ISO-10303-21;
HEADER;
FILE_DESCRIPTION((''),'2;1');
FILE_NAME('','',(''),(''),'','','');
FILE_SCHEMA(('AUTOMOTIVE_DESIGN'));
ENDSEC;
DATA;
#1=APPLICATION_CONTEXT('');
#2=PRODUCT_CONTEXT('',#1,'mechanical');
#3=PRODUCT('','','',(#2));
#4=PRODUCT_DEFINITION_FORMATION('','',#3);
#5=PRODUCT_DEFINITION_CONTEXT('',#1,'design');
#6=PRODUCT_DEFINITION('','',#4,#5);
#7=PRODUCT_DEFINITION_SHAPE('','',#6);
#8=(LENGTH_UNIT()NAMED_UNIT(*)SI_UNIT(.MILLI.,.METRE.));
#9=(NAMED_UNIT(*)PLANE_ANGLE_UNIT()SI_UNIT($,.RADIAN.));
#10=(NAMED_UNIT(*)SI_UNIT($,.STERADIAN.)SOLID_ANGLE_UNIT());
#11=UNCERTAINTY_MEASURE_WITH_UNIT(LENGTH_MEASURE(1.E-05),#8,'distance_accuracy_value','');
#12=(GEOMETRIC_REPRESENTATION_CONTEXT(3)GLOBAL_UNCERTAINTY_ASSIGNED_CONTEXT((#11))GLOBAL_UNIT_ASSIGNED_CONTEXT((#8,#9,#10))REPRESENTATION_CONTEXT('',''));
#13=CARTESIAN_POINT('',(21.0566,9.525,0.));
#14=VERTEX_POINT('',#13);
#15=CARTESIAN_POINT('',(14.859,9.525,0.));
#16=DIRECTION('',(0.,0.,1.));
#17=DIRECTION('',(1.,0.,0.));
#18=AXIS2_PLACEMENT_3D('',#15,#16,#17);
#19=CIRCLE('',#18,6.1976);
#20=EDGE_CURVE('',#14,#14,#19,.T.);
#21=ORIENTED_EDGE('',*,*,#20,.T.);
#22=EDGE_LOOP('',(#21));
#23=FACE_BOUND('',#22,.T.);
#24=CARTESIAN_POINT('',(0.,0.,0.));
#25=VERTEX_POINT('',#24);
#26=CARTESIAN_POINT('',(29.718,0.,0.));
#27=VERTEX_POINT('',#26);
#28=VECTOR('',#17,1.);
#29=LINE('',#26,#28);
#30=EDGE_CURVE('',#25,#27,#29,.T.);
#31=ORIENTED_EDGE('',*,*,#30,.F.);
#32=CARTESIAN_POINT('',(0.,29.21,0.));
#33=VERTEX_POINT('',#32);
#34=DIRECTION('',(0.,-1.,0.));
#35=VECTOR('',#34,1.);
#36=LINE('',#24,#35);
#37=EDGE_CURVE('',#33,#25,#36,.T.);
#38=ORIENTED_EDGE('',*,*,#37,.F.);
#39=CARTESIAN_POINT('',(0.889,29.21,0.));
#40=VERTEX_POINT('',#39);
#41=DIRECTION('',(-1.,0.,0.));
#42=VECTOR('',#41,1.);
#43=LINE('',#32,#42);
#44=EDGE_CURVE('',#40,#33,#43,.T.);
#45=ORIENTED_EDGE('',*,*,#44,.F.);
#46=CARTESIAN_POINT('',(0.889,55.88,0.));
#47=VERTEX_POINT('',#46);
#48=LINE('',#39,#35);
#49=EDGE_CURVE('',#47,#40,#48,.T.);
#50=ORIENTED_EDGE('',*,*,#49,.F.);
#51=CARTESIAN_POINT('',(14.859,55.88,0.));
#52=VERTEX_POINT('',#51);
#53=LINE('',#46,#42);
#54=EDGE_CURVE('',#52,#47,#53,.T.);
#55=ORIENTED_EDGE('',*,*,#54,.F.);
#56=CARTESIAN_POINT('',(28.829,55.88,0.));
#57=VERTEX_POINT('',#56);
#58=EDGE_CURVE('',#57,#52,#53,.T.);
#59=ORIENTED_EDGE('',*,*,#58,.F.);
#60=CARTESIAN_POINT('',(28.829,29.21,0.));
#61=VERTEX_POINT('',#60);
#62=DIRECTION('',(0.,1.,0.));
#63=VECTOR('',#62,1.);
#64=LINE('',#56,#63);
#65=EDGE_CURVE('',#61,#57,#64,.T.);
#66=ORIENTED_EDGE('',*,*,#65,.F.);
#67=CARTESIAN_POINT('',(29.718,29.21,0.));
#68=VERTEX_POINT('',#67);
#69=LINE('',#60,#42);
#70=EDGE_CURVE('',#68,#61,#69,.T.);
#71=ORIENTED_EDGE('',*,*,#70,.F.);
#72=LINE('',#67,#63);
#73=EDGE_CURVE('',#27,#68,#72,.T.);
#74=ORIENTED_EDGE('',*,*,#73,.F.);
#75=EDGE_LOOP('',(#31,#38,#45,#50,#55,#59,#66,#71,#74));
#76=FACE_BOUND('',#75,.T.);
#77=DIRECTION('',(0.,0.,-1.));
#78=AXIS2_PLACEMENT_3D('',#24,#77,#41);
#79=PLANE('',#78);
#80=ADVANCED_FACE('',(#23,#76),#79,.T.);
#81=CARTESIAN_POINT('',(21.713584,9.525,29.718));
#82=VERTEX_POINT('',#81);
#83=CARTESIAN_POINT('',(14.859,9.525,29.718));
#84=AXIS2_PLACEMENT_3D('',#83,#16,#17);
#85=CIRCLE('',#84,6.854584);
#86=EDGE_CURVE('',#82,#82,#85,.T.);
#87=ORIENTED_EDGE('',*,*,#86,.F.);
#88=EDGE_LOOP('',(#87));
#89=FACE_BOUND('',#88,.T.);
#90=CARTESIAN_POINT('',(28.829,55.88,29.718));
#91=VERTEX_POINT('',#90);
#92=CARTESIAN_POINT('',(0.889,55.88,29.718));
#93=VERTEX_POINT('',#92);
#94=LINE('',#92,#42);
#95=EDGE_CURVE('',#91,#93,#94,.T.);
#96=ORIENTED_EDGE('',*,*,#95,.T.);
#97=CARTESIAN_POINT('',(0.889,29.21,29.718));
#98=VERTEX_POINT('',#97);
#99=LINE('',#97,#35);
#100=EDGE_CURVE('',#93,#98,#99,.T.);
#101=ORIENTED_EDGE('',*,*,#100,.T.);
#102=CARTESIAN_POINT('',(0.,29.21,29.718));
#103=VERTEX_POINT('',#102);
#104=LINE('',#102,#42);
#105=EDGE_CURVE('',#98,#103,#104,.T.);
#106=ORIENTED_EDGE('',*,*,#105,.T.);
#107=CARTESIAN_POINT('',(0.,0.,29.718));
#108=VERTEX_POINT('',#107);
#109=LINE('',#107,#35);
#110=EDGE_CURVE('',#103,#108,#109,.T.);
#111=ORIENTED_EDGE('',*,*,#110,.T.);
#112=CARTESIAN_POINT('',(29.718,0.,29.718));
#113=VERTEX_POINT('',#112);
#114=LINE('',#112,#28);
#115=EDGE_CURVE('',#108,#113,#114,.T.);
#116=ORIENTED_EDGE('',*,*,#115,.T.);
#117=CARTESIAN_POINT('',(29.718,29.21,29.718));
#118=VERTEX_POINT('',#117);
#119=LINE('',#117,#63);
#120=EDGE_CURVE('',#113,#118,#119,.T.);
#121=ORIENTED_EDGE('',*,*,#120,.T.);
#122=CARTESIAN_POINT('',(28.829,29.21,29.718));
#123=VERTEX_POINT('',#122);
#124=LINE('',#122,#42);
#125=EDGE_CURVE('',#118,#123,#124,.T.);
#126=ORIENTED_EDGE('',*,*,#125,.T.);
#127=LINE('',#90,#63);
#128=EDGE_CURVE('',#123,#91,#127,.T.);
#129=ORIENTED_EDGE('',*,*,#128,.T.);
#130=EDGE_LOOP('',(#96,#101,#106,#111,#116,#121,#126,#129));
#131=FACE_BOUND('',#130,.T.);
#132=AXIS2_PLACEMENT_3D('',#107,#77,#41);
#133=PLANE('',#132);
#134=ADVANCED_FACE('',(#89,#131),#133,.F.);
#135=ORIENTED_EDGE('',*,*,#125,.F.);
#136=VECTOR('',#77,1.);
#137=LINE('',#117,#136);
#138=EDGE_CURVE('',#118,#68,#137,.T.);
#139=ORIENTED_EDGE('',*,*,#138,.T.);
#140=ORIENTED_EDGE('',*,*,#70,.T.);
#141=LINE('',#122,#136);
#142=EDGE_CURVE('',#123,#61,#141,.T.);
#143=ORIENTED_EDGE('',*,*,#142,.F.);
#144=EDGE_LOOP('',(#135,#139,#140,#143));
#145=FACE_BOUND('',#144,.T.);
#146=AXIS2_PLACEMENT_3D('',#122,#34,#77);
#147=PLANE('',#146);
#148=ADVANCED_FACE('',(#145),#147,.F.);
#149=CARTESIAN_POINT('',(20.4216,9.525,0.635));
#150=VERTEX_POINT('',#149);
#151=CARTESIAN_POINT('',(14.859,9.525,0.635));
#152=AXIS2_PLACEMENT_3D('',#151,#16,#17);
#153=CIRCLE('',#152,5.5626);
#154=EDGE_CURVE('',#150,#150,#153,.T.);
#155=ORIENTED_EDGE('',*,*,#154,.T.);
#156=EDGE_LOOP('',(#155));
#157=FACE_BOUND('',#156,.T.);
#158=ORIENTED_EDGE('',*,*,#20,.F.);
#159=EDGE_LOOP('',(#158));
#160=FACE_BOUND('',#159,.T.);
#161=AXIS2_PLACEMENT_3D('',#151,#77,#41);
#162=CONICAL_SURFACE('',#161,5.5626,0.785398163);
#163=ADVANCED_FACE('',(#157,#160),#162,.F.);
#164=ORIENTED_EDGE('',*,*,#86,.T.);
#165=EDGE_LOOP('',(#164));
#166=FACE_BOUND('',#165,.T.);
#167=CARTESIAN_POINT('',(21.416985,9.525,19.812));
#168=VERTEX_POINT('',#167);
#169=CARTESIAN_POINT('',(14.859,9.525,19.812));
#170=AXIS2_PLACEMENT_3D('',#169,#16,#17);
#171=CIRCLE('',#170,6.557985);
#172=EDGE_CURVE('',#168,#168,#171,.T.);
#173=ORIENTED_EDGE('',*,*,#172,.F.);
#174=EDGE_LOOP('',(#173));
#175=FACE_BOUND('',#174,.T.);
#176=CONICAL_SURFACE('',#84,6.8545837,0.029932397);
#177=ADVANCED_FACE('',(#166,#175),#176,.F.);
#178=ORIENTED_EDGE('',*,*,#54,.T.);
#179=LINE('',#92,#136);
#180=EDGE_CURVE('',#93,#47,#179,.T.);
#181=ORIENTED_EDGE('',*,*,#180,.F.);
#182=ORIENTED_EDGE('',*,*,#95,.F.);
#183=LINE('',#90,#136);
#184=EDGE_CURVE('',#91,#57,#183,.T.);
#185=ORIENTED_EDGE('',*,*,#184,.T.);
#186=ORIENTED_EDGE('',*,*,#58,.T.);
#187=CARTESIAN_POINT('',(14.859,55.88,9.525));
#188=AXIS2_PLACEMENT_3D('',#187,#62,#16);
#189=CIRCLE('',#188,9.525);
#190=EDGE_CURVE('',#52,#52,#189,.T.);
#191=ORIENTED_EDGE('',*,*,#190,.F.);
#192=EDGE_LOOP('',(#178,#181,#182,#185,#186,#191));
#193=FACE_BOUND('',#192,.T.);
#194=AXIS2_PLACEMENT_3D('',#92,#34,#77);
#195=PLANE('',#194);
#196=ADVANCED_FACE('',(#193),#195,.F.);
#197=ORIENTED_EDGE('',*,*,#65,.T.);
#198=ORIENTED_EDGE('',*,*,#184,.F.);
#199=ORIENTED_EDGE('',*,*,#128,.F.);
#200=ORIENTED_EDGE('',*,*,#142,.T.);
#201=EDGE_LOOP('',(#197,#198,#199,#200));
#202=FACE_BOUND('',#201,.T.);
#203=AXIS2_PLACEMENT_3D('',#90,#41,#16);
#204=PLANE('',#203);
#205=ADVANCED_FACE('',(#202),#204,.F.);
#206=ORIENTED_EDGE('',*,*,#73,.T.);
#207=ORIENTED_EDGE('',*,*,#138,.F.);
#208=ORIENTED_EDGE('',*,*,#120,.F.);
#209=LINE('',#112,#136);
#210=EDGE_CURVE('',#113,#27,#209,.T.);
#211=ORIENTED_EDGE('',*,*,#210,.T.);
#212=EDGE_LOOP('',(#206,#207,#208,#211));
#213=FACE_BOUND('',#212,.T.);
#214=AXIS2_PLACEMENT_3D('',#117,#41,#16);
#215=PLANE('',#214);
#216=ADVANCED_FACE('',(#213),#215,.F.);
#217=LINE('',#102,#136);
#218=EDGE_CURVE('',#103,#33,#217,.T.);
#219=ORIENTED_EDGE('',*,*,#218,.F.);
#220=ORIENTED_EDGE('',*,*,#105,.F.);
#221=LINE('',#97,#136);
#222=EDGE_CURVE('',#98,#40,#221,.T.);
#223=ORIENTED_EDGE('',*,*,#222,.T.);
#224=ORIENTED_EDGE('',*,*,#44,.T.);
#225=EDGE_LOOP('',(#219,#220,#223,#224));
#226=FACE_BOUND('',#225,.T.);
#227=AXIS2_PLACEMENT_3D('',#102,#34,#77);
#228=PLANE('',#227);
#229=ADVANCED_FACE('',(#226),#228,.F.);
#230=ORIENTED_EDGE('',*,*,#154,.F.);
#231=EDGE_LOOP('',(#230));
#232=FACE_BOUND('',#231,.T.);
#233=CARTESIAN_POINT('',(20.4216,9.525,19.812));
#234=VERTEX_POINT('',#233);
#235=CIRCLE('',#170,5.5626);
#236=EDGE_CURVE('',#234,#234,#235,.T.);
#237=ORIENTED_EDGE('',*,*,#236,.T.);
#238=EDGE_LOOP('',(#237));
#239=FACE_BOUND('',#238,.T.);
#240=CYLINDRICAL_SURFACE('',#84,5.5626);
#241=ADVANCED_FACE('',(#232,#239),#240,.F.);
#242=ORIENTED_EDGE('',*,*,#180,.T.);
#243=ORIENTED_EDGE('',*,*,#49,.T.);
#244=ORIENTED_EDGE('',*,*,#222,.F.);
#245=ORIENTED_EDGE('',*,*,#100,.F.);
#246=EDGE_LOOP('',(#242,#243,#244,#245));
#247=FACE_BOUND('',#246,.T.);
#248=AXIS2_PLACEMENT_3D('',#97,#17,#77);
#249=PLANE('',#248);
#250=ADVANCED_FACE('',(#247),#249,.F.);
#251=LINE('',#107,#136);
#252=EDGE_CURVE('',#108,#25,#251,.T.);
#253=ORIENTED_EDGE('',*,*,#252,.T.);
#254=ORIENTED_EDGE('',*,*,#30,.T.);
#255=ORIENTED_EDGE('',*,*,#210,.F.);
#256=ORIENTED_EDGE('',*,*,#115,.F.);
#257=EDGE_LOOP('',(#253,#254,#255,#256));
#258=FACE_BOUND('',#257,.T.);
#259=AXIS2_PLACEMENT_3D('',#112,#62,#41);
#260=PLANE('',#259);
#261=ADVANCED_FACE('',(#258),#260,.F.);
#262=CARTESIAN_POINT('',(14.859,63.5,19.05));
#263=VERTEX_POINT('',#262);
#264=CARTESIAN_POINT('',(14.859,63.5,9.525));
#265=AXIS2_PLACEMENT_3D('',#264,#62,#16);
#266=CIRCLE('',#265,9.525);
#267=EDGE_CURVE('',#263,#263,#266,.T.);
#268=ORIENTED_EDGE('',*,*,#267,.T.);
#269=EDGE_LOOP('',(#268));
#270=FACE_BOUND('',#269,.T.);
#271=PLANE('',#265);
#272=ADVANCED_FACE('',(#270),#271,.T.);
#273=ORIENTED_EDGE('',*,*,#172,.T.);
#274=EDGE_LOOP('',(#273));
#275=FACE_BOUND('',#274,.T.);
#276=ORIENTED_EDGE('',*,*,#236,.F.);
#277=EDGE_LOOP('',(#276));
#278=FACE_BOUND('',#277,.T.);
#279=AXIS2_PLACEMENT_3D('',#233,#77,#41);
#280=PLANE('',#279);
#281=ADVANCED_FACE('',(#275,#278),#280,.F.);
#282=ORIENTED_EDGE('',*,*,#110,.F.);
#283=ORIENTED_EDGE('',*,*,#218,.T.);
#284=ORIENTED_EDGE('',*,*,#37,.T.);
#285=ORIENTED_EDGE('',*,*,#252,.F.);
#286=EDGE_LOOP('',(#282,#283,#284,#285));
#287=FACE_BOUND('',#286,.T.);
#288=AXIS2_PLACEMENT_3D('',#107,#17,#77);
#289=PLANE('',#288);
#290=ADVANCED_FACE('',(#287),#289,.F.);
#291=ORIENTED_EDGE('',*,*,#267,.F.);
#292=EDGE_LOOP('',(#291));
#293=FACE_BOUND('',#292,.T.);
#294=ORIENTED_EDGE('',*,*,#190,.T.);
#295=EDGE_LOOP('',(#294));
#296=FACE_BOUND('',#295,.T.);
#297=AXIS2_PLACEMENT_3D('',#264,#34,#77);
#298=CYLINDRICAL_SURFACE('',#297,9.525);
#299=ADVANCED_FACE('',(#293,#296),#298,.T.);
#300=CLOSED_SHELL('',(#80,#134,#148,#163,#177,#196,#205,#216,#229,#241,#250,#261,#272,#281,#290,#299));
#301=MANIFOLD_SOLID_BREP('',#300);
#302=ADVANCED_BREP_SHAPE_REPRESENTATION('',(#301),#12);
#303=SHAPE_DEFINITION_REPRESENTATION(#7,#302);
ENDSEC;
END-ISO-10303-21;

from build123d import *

# Parameters (mm, degrees)
BOSS_EXTRUDE1_DEPTH = 29.718
SKETCH3_R           = 9.525
BOSS_EXTRUDE2_DEPTH = 7.62


with BuildPart() as part:
    # Sketch1 → Boss-Extrude1 (new body)
    with BuildSketch(Plane.XY):
        Polygon((0, 0), (0, 29.21), (0.889, 29.21), (0.889, 55.88), (28.829, 55.88), (28.829, 29.21), (29.718, 29.21), (29.718, 0), align=None)
    extrude(amount=BOSS_EXTRUDE1_DEPTH)

    # Sketch3 → Boss-Extrude2 (add)
    with BuildSketch(Plane(origin=(0, 55.88, 0), x_dir=(1, 0, 0), z_dir=(0, 1, 0))):
        with Locations(Location((14.859, -9.525, 0), (0, 0, 90))):
            Circle(SKETCH3_R)
    extrude(amount=BOSS_EXTRUDE2_DEPTH)

    # Sketch13 → 1/4 NPT Tapped Hole1 (revolve, cut)
    with BuildSketch(Plane(origin=(14.859, 9.525, 29.718), x_dir=(0, -1, 0), z_dir=(1, 0, 0))):
        Polygon((0, 0), (0, 29.718), (6.1976, 29.718), (5.5626, 29.083), (5.5626, 9.906), (6.557984794, 9.906), (6.8545837, 0), align=None)
    revolve(axis=Axis((14.859, 9.525, 36.068), (0, 0, -1)), mode=Mode.SUBTRACT)


solid = part.part
